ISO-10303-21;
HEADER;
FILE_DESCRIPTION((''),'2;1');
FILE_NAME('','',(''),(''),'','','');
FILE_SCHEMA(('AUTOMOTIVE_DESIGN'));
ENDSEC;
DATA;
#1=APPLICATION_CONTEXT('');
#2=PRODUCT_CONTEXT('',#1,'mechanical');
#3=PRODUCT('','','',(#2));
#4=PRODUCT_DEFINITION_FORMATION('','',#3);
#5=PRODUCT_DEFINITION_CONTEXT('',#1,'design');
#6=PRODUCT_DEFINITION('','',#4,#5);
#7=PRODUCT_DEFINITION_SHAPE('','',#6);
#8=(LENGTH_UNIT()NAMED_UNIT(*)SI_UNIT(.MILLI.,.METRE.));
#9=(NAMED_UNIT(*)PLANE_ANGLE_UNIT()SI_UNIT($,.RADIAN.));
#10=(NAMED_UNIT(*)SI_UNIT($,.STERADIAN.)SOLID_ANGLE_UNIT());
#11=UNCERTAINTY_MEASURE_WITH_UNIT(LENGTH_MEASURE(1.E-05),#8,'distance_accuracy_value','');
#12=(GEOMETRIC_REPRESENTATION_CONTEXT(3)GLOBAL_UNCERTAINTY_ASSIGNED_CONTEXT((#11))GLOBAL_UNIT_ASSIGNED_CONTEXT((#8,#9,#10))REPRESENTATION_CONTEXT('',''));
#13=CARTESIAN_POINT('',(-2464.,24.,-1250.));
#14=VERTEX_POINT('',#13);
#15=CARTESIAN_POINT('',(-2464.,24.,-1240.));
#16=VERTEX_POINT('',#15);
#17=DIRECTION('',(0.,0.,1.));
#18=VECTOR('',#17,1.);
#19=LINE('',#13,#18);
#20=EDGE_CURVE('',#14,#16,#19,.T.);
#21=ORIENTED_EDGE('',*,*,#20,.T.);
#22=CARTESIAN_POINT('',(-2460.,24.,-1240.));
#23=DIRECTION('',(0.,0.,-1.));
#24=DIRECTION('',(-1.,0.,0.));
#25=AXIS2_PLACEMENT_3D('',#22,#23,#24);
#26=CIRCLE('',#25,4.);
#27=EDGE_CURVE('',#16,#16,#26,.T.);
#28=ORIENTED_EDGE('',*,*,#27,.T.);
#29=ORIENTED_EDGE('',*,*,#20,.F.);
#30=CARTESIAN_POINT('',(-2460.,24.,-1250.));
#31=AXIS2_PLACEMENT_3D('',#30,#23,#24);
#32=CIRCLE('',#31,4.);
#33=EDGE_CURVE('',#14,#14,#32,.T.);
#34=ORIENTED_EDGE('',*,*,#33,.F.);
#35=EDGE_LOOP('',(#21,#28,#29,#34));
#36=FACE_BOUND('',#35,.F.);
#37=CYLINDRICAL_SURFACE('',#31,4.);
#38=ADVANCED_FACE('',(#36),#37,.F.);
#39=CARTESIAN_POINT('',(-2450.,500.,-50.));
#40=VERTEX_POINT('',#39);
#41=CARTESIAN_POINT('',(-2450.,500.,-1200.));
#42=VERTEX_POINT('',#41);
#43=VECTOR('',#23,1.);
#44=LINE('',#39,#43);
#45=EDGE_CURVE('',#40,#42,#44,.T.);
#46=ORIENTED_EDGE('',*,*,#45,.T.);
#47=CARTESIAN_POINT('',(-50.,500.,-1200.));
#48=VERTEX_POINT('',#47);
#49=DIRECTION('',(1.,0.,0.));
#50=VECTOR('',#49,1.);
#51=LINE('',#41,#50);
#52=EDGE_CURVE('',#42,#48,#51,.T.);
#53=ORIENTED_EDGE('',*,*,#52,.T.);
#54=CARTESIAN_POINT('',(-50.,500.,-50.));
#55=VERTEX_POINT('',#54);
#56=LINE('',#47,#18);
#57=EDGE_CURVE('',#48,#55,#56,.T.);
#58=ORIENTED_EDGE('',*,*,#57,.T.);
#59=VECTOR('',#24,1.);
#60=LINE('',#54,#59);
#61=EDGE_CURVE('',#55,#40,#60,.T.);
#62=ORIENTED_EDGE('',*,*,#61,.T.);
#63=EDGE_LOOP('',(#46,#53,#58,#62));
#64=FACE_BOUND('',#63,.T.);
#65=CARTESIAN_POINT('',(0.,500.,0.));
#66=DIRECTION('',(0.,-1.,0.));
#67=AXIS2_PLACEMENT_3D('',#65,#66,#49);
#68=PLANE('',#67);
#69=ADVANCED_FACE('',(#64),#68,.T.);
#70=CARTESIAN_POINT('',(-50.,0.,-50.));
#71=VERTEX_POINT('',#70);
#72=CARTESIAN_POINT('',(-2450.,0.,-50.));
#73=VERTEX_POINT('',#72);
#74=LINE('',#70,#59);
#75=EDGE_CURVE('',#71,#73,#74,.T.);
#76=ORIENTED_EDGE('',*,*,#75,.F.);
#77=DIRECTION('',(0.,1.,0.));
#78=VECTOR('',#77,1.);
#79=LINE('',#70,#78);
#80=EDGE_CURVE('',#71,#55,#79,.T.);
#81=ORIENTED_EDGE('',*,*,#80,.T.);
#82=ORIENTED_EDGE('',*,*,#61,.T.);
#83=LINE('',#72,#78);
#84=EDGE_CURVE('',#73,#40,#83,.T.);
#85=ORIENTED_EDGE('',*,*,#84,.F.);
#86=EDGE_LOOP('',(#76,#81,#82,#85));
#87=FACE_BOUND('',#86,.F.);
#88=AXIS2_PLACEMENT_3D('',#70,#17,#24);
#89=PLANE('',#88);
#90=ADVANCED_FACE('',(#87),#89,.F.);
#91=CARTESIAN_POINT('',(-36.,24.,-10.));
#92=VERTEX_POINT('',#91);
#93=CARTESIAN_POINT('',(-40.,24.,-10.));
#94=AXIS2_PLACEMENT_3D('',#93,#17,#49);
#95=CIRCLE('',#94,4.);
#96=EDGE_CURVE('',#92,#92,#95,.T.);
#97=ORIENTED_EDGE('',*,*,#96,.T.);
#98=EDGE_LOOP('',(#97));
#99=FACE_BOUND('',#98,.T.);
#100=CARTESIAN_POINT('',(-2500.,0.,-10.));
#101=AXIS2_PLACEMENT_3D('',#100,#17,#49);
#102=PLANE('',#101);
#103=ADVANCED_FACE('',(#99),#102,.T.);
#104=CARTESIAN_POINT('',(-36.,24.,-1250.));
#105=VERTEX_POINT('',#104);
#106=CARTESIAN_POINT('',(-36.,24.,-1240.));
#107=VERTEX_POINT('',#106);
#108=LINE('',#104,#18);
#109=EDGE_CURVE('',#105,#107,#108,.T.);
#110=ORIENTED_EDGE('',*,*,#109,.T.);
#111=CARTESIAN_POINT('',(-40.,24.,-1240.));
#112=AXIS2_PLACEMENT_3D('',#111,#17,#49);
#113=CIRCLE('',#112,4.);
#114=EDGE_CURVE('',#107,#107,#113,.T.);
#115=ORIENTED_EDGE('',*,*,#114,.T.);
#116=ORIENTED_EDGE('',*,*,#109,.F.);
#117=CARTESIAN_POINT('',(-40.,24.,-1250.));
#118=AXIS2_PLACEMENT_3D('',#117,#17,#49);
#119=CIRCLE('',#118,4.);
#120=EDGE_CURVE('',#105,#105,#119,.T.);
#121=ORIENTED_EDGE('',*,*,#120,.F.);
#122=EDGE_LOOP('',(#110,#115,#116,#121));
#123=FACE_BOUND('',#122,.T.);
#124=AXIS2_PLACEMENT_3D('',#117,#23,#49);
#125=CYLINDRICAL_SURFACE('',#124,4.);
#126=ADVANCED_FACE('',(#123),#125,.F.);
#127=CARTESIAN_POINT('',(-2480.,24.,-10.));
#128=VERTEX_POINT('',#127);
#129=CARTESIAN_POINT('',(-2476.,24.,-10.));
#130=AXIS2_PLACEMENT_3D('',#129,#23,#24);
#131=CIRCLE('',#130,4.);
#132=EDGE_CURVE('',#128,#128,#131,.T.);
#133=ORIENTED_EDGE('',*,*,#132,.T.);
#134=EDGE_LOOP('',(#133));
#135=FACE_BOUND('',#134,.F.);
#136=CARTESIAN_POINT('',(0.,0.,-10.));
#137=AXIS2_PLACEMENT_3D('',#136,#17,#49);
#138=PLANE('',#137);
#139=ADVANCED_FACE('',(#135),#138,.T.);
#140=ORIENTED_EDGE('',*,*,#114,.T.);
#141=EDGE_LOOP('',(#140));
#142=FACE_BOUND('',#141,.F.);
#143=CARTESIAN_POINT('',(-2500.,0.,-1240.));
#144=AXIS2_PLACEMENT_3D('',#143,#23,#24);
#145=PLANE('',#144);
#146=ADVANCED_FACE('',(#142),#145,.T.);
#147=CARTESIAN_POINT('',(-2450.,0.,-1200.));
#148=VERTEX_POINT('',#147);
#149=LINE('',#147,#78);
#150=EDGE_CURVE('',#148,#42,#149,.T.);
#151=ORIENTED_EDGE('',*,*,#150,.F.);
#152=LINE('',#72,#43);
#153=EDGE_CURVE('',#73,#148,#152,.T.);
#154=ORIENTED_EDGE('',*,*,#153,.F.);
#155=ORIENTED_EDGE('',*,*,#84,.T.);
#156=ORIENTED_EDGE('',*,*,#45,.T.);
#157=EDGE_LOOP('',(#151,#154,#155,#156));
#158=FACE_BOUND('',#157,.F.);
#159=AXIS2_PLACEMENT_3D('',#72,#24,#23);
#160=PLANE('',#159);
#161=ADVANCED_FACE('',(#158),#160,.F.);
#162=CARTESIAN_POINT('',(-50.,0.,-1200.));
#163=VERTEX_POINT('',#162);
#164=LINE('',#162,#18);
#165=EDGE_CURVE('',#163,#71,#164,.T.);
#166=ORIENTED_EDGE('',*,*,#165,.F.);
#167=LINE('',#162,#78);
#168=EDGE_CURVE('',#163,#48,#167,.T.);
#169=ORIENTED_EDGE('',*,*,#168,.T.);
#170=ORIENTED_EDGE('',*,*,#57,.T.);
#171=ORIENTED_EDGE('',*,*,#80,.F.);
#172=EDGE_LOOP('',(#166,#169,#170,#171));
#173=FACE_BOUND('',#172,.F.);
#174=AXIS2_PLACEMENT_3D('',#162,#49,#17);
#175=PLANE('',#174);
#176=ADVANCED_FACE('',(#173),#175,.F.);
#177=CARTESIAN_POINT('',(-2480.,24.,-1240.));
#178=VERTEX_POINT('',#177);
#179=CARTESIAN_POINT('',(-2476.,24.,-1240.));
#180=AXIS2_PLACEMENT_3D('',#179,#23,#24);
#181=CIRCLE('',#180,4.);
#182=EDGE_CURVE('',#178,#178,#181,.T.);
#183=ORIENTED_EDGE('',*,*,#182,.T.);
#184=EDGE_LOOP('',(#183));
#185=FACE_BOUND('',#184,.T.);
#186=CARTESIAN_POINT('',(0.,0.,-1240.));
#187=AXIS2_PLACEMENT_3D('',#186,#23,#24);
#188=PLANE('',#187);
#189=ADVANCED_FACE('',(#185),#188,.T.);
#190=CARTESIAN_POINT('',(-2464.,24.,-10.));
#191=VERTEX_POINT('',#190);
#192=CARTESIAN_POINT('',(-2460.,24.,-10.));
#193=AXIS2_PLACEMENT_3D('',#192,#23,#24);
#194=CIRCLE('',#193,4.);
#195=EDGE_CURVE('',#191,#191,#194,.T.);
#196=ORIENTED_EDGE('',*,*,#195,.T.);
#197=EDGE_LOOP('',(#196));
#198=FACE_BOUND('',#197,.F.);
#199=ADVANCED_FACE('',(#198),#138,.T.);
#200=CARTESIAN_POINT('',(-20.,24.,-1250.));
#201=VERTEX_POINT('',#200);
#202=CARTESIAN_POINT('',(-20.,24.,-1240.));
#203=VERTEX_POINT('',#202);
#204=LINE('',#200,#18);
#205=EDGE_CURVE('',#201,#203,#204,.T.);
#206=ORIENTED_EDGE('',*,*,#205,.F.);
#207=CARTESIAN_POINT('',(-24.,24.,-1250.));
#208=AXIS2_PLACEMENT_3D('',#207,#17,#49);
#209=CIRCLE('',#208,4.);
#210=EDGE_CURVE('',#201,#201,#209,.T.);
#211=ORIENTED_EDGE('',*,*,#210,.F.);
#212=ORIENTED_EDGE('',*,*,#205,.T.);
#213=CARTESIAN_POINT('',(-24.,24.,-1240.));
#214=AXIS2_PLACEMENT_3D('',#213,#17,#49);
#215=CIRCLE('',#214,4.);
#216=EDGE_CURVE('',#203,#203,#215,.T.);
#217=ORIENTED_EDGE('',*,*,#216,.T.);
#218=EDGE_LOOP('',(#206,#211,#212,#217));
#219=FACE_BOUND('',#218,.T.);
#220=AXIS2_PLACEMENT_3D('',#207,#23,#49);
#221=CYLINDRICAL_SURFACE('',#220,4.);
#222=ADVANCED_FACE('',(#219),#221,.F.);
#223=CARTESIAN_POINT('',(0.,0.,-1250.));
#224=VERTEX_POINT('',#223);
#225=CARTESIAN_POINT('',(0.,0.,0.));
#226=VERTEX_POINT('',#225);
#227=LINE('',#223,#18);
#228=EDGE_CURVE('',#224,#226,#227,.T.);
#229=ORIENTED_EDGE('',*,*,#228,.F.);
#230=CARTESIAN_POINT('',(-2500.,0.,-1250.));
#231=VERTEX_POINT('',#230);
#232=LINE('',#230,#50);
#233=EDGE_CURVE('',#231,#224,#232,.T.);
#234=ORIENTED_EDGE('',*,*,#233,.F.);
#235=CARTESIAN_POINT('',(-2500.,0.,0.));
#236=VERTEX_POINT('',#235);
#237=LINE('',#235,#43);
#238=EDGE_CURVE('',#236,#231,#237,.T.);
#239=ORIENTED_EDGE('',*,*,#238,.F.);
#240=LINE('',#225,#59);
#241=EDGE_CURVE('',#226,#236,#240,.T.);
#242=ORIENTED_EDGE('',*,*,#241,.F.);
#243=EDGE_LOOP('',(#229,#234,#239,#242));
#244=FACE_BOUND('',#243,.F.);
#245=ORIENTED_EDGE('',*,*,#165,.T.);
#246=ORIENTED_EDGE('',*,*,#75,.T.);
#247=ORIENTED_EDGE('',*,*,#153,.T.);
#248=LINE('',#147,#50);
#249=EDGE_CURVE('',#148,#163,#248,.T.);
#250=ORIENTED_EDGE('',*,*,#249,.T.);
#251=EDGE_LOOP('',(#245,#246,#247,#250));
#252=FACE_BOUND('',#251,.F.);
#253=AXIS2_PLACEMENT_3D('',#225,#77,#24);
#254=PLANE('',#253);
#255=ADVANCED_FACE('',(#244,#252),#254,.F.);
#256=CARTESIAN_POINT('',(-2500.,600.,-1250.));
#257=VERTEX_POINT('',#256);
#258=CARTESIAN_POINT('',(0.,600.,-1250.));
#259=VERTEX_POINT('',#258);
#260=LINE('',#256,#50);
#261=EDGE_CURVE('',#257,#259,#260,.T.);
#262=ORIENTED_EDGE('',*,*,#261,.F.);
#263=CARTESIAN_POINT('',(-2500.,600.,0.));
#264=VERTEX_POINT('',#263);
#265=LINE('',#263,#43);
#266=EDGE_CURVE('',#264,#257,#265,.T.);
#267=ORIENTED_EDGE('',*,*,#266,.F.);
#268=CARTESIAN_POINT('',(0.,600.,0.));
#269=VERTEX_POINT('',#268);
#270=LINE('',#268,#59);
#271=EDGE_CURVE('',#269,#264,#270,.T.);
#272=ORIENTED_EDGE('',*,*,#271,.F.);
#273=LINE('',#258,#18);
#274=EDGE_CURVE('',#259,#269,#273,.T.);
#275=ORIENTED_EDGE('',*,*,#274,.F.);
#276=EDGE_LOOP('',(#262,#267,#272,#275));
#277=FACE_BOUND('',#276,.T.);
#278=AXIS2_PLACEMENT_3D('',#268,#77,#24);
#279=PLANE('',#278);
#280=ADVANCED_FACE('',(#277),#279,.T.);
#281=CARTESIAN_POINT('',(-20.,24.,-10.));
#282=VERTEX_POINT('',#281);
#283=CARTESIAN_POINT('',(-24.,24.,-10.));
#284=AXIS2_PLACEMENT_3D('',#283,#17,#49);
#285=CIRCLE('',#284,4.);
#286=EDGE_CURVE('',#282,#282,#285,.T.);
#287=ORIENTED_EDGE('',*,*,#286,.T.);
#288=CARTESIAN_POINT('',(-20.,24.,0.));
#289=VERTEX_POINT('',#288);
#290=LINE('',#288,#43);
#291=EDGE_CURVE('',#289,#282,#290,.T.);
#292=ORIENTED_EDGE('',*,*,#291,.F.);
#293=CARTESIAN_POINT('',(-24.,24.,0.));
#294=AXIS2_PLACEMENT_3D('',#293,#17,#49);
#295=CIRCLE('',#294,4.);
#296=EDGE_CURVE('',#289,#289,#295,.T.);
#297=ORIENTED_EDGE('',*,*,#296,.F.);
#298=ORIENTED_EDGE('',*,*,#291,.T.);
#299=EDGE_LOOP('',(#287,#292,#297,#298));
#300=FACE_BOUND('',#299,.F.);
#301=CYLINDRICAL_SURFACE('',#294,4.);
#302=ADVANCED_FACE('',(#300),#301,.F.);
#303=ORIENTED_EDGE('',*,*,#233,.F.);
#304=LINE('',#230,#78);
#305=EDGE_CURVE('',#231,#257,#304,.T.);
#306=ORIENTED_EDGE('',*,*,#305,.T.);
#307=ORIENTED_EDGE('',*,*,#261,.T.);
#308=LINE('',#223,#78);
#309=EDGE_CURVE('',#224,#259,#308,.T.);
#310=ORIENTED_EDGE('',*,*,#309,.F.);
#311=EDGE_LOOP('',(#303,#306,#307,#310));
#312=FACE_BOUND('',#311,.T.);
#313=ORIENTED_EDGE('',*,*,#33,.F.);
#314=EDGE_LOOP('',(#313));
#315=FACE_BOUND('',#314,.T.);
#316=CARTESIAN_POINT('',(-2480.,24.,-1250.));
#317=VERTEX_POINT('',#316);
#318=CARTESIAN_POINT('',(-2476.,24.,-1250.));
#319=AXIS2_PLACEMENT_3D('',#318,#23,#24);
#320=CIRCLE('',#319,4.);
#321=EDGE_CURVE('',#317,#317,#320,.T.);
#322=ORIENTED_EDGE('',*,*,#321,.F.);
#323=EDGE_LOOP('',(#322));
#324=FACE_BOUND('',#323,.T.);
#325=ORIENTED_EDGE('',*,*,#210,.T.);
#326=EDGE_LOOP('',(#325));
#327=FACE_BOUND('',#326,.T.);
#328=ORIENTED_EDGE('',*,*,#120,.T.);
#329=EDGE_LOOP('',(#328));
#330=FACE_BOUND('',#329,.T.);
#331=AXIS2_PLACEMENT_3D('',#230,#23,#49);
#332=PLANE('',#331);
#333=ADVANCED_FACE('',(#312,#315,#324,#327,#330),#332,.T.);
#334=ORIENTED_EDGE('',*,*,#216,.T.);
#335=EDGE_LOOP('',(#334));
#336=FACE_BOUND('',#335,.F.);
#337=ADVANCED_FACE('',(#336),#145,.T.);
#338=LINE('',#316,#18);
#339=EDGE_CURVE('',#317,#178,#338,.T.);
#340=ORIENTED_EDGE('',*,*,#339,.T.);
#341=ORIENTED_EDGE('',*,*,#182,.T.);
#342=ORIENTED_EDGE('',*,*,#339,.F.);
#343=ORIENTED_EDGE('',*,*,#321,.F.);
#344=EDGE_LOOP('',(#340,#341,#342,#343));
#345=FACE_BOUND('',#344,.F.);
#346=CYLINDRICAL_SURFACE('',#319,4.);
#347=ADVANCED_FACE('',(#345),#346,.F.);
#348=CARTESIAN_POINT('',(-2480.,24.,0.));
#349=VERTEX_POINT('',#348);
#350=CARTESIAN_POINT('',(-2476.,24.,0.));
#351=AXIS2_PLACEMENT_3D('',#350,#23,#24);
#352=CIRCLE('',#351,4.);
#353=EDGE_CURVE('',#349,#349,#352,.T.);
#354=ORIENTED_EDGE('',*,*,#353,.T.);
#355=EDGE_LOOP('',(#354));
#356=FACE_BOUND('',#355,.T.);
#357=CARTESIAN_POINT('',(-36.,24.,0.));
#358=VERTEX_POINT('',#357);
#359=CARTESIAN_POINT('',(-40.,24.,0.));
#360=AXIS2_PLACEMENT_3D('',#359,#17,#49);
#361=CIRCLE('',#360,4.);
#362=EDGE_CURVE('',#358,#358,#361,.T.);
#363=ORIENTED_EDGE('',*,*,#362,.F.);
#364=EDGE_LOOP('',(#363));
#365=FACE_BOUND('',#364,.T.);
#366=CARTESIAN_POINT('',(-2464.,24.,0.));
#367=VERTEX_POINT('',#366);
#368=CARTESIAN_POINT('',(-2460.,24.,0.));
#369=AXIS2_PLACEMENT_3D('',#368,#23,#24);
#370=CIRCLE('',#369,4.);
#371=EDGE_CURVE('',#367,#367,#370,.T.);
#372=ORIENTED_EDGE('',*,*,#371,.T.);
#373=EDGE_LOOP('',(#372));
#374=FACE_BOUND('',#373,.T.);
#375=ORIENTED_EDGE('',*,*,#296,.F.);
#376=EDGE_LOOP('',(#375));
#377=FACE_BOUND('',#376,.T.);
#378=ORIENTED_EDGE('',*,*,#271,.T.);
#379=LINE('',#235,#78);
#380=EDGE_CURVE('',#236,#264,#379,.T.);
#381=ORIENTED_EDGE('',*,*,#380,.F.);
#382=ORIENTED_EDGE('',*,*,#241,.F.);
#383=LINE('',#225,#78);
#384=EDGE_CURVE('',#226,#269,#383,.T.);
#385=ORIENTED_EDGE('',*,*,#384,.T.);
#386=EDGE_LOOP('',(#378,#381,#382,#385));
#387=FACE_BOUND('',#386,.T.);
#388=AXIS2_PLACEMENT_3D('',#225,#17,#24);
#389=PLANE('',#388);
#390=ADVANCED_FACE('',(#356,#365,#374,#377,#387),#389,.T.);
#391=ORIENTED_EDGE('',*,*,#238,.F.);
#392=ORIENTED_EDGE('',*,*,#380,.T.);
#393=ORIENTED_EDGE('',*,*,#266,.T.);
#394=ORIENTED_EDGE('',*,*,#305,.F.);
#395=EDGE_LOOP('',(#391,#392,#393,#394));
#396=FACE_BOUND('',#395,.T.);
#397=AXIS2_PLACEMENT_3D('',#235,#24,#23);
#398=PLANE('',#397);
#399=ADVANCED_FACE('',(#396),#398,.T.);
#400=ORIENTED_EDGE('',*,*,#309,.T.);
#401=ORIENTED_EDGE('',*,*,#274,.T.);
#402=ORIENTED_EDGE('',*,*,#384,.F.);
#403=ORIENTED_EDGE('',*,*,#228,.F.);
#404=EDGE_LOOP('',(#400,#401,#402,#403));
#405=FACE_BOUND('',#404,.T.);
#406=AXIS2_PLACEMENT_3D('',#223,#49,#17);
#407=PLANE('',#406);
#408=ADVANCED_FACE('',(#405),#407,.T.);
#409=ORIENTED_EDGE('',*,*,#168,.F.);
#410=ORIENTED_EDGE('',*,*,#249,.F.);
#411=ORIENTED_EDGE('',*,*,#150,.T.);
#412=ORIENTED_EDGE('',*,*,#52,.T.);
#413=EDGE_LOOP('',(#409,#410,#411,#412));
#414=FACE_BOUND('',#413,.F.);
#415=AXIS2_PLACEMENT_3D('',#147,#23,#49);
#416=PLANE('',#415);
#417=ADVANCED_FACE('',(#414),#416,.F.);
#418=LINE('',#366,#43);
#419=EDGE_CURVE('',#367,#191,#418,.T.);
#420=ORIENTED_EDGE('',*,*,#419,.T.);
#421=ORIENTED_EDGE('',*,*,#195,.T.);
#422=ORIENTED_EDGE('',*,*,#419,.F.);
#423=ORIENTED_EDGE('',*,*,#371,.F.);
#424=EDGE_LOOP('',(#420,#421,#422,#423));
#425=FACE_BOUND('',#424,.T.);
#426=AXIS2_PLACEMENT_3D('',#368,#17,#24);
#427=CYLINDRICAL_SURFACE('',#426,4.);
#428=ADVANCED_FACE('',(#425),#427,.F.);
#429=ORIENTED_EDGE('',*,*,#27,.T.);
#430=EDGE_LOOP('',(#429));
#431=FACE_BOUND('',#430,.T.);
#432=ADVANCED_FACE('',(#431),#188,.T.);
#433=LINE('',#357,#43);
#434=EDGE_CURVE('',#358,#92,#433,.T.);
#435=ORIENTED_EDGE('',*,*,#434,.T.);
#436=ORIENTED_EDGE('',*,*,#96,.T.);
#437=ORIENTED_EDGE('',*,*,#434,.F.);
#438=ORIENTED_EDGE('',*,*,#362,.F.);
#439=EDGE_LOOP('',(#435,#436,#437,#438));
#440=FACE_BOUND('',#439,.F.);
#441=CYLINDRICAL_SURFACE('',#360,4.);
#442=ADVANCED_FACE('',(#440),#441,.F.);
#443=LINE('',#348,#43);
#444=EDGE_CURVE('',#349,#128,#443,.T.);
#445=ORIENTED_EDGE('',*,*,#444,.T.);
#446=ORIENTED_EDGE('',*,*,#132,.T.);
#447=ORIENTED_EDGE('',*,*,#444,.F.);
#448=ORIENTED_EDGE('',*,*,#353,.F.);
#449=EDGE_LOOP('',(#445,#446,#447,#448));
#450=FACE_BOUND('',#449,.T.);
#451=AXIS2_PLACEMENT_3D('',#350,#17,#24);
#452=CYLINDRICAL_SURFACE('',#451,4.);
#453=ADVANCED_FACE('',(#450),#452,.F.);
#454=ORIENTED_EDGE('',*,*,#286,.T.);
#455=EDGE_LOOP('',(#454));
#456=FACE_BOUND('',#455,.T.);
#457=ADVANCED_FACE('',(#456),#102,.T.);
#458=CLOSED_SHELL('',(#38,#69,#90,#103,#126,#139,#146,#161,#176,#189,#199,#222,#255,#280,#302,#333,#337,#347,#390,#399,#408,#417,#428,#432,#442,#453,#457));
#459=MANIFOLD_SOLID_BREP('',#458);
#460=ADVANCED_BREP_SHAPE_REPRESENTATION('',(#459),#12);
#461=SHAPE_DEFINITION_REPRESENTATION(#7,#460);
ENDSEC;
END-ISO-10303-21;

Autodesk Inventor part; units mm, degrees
ref_plane "YZ Plane" through (0, 0, 0) normal (1, 0, 0) x (0, 1, 0)
ref_plane "XZ Plane" through (0, 0, 0) normal (0, 1, 0) x (-1, 0, 0)
ref_plane "XY Plane" through (0, 0, 0) normal (0, 0, 1) x (1, 0, 0)
sketch "Sketch1" plane through (0, 0, 0) normal (0, 1, 0) x (-1, 0, 0)
  line L0 (0, 0) -> (2500, 0)
  line L1 (2500, 0) -> (2500, -1250)
  line L2 (2500, -1250) -> (0, -1250)
  line L3 (0, -1250) -> (0, 0)
  dimension "d0" = 2500
  dimension "d1" = 1250
extrude "Extrusion1" add sketch "Sketch1" along normal blind 600
sketch "Sketch2" plane through (0, 0, 0) normal (0, -1, 0) x (1, 0, 0)
  line L0 (-50, -50) -> (-2450, -50)
  line L1 (-2450, -50) -> (-2450, -1200)
  line L2 (-2450, -1200) -> (-50, -1200)
  line L3 (-50, -1200) -> (-50, -50)
  line L4 (0, 0) -> (-2500, 0) projected
  line L5 (0, -1250) -> (0, 0) projected
  dimension "d4" = 2400
  dimension "d5" = 1150
  dimension "d8" = 50
  dimension "d9" = 50
  dimension "d10" = 2500
  dimension "d11" = 1250
extrude "Extrusion2" cut sketch "Sketch2" against normal blind 500
sketch "Sketch3" plane through (-2500, 0, 0) normal (0, 0, 1) x (1, 0, 0)
  line L0 (2500, 0) -> (0, 0) projected
  line L1 (2500, 0) -> (2500, 600) projected
  line L2 (0, 0) -> (0, 600) projected
  circle A0 centre (2476, 24) radius 4
  circle A1 centre (2460, 24) radius 4
  dimension "d12" = 8
  dimension "d13" = 24
  dimension "d14" = 24
  dimension "d20" = 8
  dimension "d21" = 24
  dimension "d23" = 16
extrude "Extrusion3" cut sketch "Sketch3" against normal blind 10
ref_plane "Work Plane1" through (-2500, 0, -625) normal (0, 0, 1) x (1, 0, 0)
mirror "Mirror1" about plane through (-2500, 0, -625) normal (0, 0, 1) of "Extrusion3"
ref_plane "Work Plane2" through (-1250, 0, -1250) normal (-1, 0, 0) x (0, 0, 1)
mirror "Mirror2" about plane through (-1250, 0, -1250) normal (-1, 0, 0) of "Extrusion3"
mirror "Mirror3" about plane through (-2500, 0, -625) normal (0, 0, 1) of "Mirror2", "Extrusion3"
equation "\"d0\" = 2 * d1"
equation "\"d4\" = d10 - 2 * d9"
equation "\"d5\" = d11 - 2 * d8"
equation "\"d9\" = d8"
equation "\"d13\" = 3 * d12"
equation "\"d14\" = 3 * d12"
equation "\"d20\" = d12"
equation "\"d21\" = d13"
equation "\"d23\" = 2 * d12"
properties part number "Base" material "Wood (Birch)"
